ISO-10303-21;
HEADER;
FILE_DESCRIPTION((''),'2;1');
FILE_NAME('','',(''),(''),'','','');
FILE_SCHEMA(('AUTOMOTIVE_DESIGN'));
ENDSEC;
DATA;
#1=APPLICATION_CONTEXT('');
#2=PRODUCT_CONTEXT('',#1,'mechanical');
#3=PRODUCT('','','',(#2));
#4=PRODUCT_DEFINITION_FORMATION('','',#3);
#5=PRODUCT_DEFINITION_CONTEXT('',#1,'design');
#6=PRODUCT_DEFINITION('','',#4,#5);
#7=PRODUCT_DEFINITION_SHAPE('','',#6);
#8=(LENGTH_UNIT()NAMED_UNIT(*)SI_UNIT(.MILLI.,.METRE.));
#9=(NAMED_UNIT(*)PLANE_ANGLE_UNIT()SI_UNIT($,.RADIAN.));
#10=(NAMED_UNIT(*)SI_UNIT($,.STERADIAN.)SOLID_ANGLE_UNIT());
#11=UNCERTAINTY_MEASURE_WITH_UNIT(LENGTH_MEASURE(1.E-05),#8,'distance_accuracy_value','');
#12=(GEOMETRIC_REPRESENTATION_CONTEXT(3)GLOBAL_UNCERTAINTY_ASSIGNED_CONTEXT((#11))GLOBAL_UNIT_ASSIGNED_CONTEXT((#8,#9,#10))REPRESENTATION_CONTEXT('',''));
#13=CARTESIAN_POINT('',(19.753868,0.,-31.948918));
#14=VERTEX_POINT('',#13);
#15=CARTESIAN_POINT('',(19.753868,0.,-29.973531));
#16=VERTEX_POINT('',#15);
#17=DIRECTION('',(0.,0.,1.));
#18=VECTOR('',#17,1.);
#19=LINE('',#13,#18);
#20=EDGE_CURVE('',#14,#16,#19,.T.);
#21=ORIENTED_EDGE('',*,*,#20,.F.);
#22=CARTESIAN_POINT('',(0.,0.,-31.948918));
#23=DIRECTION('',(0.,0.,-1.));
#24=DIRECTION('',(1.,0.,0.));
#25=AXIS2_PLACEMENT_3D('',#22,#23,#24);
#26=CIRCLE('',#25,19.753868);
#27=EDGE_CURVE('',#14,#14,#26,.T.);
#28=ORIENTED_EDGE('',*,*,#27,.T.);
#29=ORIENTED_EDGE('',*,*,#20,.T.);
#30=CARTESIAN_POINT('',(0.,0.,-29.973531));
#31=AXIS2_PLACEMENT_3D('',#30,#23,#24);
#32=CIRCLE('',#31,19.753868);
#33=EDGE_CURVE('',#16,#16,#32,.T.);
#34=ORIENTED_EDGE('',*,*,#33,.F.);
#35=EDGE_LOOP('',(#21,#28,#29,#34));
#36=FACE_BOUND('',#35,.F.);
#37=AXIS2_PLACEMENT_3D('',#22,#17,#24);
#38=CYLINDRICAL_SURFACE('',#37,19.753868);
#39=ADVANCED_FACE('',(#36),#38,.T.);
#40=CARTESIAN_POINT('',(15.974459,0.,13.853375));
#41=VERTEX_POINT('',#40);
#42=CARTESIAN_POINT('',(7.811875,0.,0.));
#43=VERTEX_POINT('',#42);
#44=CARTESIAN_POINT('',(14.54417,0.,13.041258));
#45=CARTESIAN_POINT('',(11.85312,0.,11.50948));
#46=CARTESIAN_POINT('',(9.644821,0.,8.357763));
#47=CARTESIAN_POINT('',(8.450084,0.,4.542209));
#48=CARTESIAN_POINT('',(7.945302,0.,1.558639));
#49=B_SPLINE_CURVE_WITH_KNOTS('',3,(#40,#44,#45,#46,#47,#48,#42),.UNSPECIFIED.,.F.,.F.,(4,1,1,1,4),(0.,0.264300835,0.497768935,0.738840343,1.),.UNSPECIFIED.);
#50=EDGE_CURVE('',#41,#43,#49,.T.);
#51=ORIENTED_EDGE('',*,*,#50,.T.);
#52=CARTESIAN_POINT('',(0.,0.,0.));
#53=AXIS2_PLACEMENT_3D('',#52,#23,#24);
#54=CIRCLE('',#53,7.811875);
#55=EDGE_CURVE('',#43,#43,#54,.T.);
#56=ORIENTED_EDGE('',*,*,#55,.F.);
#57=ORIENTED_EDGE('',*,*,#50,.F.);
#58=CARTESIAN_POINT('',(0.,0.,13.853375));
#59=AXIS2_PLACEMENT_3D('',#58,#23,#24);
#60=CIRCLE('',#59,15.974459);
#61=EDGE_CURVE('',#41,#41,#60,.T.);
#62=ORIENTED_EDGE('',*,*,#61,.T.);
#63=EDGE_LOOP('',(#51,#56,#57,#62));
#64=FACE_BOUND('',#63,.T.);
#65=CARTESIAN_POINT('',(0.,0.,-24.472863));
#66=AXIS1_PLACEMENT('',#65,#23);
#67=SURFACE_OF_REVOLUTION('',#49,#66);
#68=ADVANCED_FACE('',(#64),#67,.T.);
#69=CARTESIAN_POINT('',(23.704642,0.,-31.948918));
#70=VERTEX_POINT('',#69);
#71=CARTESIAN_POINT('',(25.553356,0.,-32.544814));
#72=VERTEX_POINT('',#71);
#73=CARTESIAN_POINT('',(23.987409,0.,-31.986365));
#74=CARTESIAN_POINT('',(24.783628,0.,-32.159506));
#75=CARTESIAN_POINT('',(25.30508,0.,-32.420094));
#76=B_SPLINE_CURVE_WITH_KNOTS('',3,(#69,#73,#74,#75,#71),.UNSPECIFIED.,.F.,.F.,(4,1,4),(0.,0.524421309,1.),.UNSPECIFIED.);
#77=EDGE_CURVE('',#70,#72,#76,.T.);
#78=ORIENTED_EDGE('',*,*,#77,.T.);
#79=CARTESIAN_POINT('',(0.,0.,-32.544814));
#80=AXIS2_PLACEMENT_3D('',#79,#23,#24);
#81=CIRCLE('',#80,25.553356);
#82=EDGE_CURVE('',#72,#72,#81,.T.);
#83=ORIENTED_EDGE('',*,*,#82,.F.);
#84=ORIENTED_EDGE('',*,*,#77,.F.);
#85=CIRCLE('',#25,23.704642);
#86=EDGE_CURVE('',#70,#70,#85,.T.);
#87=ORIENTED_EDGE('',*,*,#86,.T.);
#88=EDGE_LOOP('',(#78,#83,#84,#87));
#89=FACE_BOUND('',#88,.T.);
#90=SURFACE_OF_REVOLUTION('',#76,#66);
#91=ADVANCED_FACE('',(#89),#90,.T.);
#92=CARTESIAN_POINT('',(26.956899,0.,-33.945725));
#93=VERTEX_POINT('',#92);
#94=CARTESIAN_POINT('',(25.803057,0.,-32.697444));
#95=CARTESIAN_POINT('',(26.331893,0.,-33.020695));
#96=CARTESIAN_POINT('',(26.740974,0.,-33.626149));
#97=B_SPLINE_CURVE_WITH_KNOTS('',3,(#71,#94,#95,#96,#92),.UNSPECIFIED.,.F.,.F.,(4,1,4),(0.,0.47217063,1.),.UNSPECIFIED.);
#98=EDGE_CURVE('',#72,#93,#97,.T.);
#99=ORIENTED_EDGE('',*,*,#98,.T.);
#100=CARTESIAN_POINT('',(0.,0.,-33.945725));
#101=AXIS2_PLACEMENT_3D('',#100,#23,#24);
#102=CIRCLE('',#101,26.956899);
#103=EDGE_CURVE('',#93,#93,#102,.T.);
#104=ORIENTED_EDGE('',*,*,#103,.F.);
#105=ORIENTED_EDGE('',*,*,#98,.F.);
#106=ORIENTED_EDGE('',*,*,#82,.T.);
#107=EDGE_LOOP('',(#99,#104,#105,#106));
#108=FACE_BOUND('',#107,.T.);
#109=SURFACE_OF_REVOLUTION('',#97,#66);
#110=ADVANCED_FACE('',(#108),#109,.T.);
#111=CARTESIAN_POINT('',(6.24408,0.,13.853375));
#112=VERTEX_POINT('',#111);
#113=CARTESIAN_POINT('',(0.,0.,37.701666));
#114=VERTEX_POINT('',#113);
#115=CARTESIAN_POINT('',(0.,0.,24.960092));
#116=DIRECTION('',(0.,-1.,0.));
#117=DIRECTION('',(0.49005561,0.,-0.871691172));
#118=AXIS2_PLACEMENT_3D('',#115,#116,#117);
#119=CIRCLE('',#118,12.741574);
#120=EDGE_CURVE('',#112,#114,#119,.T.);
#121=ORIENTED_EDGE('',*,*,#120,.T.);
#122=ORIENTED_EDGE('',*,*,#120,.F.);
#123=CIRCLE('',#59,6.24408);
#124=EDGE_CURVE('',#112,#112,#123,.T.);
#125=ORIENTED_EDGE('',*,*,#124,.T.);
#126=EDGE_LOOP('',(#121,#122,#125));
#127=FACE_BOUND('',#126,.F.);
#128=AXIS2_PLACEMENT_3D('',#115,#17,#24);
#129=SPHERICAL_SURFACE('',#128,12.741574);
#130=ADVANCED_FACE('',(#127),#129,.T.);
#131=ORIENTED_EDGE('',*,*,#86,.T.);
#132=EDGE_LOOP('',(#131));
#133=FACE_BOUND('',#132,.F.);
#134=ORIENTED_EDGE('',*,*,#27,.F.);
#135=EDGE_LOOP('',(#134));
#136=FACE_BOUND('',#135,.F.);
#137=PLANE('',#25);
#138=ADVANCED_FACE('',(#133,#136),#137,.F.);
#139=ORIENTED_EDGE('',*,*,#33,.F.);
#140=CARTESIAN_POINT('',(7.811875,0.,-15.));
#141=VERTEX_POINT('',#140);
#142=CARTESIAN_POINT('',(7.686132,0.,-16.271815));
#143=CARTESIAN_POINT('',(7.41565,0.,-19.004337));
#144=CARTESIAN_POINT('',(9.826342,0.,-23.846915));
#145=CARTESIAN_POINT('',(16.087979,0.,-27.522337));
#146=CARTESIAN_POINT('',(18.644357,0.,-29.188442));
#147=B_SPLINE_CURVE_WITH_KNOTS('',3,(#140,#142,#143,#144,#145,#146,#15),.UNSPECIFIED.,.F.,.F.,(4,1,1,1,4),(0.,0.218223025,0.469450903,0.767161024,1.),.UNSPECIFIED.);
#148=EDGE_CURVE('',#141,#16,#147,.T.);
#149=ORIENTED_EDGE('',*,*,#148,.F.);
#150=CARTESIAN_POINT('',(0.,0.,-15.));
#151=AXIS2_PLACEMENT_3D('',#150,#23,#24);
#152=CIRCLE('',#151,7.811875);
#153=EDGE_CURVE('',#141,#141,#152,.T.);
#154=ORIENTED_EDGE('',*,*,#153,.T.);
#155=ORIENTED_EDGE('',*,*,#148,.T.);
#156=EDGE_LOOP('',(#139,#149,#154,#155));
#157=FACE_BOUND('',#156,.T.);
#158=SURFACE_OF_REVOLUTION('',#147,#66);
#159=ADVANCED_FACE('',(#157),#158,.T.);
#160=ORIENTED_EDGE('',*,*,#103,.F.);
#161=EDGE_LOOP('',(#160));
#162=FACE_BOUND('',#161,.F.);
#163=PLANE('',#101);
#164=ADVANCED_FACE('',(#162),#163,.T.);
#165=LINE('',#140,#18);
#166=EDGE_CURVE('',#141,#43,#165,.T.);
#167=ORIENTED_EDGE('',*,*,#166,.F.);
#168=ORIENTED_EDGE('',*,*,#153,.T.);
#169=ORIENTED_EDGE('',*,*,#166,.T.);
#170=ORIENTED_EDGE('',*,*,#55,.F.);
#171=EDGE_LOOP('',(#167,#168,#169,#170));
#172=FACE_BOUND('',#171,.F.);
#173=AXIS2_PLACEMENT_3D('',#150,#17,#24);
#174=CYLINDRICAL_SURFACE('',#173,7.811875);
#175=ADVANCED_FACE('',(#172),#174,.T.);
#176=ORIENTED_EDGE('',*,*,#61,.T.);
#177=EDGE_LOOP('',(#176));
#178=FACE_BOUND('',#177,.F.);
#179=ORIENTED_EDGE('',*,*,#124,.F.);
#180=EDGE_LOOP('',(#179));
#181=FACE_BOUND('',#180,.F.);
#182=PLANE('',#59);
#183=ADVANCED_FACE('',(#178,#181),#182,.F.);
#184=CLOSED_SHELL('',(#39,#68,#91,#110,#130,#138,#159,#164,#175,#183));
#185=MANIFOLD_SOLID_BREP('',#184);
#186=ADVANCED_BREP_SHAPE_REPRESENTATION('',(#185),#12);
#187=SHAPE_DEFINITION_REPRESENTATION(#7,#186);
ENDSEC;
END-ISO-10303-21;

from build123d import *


with BuildPart() as f1:
    # F0 (on Front) → F1 (revolve)
    with BuildSketch(Plane.XZ):
        with BuildLine():
            Line((0, 37.7016658888), (0, 24.9600920844))
            Line((0, 24.9600920844), (0, 0))
            Line((0, 0), (0, -15))
            Line((0, -15), (0, -33.9457252348))
            Line((0, -33.9457252348), (26.9568994511, -33.9457252348))
            add(Edge.make_bspline(
                [(25.5533556485, -32.5448140133), (25.8030567369, -32.697443695), (26.3318932897, -33.0206948082), (26.7409744173, -33.6261488234), (26.9568994511, -33.9457252348)],
                knots=[0, 0, 0, 0, 0.4721706302, 1, 1, 1, 1], degree=3))
            add(Edge.make_bspline(
                [(23.7046416548, -31.948917868), (23.9874091492, -31.9863649584), (24.7836282657, -32.1595058868), (25.3050798474, -32.4200936119), (25.5533556485, -32.5448140133)],
                knots=[0, 0, 0, 0, 0.5244213095, 1, 1, 1, 1], degree=3))
            Line((23.7046416548, -31.948917868), (19.7538680457, -31.948917868))
            Line((19.7538680457, -31.948917868), (19.7538680457, -29.9735310634))
            add(Edge.make_bspline(
                [(7.8118746834, -15), (7.6861322036, -16.2718153789), (7.4156499261, -19.0043366815), (9.826342477, -23.8469146811), (16.0879789652, -27.5223372221), (18.6443573288, -29.1884421261), (19.7538680457, -29.9735310634)],
                knots=[0, 0, 0, 0, 0.2182230248, 0.4694509027, 0.7671610238, 1, 1, 1, 1], degree=3))
            Line((7.8118746834, -15), (7.8118746834, 0))
            add(Edge.make_bspline(
                [(15.974458934, 13.8533746859), (14.5441697293, 13.0412577246), (11.8531197014, 11.5094797561), (9.644820543, 8.3577633696), (8.4500839815, 4.5422093941), (7.9453016268, 1.5586389046), (7.8118746834, 0)],
                knots=[0, 0, 0, 0, 0.2643008349, 0.4977689348, 0.7388403428, 1, 1, 1, 1], degree=3))
            Line((15.974458934, 13.8533746859), (6.2440797276, 13.8533746859))
            ThreePointArc((6.2440797276, 13.8533746859), (12.3260853979, 28.1873698503), (0, 37.7016658888))
        make_face()
    revolve(axis=Axis((0, 0, -24.4728626174), (0, 0, -1)))


solid = f1.part
